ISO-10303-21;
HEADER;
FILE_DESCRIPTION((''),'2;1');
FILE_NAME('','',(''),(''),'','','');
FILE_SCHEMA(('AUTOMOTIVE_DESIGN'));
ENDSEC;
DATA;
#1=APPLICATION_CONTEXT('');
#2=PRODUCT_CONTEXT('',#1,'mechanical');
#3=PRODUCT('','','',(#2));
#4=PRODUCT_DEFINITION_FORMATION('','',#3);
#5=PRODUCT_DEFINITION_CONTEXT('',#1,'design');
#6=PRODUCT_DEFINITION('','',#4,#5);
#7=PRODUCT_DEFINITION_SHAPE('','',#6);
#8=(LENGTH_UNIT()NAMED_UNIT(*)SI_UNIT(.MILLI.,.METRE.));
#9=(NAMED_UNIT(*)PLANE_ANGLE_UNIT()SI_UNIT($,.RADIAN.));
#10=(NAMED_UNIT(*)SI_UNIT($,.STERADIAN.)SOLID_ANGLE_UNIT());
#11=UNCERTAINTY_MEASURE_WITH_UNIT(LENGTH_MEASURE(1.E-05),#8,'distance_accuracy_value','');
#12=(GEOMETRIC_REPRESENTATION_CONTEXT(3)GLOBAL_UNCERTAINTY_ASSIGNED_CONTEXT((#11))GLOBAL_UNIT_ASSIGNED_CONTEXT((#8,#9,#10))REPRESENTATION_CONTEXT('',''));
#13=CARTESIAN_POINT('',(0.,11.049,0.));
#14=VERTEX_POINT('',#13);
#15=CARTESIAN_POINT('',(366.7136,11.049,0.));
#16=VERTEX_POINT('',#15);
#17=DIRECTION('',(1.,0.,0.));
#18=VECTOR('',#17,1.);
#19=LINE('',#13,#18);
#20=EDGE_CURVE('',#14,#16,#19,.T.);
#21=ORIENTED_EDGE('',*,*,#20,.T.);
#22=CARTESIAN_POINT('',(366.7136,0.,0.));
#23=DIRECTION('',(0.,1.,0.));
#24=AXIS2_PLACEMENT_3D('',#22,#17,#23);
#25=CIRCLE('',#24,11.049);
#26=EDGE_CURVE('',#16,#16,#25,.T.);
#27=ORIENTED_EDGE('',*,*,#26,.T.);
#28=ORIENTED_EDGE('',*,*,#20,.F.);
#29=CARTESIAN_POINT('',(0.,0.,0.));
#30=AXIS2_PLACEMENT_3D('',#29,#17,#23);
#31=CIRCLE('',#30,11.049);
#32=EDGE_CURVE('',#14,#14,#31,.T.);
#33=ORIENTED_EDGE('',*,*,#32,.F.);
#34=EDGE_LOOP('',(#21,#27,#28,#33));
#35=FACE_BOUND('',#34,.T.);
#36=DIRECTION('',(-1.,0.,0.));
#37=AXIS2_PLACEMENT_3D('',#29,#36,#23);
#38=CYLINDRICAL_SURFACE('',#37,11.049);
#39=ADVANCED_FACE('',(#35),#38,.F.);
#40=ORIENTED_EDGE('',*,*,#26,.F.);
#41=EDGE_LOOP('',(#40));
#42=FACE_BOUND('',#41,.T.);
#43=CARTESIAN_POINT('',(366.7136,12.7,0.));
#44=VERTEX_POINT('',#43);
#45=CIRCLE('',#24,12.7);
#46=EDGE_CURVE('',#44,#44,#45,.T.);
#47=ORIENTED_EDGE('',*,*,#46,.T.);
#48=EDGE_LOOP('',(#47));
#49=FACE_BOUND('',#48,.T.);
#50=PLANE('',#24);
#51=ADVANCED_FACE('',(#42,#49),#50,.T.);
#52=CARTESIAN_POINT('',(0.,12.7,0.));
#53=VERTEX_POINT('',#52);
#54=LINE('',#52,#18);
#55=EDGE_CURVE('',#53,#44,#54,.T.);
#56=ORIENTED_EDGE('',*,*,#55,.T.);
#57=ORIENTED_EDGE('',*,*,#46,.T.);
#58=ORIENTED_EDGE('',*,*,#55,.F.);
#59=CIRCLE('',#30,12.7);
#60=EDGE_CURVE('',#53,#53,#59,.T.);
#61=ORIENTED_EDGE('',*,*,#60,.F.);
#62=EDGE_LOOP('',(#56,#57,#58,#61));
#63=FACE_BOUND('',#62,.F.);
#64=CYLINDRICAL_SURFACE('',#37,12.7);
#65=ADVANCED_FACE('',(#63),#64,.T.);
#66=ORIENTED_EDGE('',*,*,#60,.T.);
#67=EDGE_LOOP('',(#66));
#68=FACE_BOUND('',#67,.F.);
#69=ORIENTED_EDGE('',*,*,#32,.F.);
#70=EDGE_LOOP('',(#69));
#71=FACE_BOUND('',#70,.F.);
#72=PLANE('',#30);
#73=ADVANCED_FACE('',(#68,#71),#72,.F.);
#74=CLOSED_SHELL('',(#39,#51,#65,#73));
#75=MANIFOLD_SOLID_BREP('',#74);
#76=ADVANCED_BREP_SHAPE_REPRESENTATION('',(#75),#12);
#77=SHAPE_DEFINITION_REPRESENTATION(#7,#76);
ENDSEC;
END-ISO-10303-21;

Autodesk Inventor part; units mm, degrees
ref_plane "XZ Plane" through (0, 0, 0) normal (0, 1, 0) x (-1, 0, 0)
ref_plane "Start Plane" through (0, 0, 0) normal (1, 0, 0) x (0, 1, 0)
ref_plane "End Plane" through (366.7136, 0, 0) normal (1, 0, 0) x (0, 1, 0)
sketch "Sketch" plane through (0, 0, 0) normal (1, 0, 0) x (0, 1, 0)
  circle A0 centre (0, 0) radius 12.7
  circle A1 centre (0, 0) radius 11.049
  dimension "d0" = 25.4
  dimension "d1" = 1.651
extrude "Body" add sketch "Sketch" along normal up to surface (366.7136 mm away) from surface at 0
sketch "Sketch2" plane through (0, 0, 0) normal (1, 0, 0) x (0, 1, 0)
  line L0 (0, 0) -> (10, 0)
ref_plane "Work Plane3" through (0, 0, 0) normal (0, 0, -1) x (0, 1, 0)
sketch "Sketch3" plane through (0, 0, 0) normal (0, 0, -1) x (0, 1, 0)
  line L0 (-2, 0) -> (12, 0)
  line L1 (-2, 366.7136) -> (12, 366.7136)
  dimension "d9" = 366.7136
equation "\"G_OFFSET_START\" = 0"
equation "\"G_OFFSET_END\" = 0"
equation "\"d5\" = d2 + G_OFFSET_END"
equation "\"G_L\" = d9"
equation "\"d2\" = 366.713633"
properties part number "4130_1x0.065" material "Steel, Alloy"
